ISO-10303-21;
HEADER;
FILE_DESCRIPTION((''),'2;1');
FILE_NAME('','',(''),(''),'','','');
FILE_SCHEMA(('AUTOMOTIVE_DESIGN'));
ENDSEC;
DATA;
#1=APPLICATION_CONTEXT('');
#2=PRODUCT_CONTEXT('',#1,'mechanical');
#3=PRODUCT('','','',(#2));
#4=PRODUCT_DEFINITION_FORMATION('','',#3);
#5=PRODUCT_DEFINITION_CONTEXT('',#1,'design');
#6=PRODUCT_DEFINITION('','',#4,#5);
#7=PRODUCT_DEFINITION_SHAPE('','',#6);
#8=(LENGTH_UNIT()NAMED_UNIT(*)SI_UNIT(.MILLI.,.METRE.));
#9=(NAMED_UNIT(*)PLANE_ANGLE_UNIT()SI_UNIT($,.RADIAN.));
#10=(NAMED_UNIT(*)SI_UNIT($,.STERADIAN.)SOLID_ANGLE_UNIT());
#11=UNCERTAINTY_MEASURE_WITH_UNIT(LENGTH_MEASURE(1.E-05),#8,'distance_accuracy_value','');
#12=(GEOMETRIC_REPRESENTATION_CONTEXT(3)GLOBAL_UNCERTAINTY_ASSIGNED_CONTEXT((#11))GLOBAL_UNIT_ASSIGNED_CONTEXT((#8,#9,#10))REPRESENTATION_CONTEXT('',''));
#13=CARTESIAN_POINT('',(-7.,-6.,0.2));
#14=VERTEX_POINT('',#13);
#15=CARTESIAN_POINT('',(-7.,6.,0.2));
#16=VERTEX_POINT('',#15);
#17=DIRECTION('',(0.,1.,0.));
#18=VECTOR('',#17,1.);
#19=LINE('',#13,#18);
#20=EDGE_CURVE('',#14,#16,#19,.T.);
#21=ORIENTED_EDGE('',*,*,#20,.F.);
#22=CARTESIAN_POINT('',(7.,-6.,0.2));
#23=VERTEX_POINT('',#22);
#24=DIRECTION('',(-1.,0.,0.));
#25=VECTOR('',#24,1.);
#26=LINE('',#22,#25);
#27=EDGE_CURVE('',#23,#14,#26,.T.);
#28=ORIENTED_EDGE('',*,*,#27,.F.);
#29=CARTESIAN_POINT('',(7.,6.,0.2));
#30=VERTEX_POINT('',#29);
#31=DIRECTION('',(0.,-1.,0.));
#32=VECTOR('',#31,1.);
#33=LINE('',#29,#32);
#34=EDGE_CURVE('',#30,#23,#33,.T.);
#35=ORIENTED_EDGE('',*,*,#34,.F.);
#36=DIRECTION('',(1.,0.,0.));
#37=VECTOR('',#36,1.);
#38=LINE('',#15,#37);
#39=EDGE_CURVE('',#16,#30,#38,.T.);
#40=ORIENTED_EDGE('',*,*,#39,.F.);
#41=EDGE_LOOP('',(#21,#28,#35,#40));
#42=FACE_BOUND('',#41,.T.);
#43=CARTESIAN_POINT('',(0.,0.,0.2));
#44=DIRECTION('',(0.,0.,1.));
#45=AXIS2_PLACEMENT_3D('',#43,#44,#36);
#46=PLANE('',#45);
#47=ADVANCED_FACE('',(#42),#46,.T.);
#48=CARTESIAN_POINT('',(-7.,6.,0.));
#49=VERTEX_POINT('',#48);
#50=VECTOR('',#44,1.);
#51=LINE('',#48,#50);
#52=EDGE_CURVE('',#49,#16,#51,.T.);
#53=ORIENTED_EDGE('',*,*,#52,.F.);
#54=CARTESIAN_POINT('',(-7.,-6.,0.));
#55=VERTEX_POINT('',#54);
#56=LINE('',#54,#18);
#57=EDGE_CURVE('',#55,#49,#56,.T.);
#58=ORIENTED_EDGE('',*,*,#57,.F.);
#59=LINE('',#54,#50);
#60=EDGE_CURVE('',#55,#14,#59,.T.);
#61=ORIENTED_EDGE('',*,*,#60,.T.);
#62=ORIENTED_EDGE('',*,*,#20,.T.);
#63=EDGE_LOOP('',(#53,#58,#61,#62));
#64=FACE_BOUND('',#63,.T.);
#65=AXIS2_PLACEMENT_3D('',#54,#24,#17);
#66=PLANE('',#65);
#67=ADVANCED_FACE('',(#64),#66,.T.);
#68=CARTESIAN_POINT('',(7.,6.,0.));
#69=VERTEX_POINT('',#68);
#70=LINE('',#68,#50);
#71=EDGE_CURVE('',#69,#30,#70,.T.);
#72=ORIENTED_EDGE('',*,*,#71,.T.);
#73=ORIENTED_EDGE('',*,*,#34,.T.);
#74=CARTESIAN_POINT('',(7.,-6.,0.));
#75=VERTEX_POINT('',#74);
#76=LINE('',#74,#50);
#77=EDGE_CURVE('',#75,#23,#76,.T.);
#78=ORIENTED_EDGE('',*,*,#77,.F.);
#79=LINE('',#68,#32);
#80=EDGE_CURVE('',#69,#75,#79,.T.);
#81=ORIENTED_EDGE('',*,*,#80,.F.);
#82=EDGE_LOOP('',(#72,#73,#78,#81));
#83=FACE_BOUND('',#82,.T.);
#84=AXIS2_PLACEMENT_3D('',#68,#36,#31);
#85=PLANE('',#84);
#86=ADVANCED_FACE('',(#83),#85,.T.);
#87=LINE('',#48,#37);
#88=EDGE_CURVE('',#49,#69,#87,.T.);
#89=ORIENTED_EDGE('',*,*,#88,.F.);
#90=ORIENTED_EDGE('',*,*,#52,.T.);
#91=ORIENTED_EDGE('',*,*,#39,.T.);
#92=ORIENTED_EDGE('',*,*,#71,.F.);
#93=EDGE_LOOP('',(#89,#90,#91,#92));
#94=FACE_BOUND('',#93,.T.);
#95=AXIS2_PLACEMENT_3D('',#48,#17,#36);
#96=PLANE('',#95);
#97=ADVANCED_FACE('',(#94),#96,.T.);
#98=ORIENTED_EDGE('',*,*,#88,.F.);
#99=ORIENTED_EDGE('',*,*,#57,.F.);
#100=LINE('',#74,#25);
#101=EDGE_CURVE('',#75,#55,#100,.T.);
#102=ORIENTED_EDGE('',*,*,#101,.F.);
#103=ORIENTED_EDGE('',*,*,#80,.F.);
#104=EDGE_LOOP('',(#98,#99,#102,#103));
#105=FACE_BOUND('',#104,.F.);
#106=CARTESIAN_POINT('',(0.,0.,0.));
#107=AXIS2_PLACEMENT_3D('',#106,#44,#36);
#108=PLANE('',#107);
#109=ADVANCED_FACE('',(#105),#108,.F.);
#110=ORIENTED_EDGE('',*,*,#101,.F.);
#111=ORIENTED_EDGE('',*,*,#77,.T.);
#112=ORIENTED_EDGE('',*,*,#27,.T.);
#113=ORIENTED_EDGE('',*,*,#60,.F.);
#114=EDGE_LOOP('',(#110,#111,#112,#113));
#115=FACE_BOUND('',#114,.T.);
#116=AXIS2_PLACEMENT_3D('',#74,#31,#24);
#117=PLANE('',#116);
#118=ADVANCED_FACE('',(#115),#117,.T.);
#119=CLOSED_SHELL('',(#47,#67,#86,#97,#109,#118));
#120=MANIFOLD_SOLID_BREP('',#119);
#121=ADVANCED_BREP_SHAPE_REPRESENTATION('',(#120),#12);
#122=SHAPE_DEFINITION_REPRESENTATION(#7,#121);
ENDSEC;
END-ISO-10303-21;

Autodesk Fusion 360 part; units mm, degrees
sketch "Skizze1" plane through (0, 0, 0) normal (0, 0, 1) x (1, 0, 0)
  line L0 (7, -6) -> (-7, -6)
  line L1 (-7, -6) -> (-7, 6)
  line L2 (-7, 6) -> (7, 6)
  line L3 (7, 6) -> (7, -6)
  line L4 (7, -6) -> (-7, 6) construction
  line L5 (-7, -6) -> (7, 6) construction
  dimension "d1" = 14
  dimension "d2" = 12
extrude "Extrusion1" add sketch "Skizze1" along normal blind 0.2
